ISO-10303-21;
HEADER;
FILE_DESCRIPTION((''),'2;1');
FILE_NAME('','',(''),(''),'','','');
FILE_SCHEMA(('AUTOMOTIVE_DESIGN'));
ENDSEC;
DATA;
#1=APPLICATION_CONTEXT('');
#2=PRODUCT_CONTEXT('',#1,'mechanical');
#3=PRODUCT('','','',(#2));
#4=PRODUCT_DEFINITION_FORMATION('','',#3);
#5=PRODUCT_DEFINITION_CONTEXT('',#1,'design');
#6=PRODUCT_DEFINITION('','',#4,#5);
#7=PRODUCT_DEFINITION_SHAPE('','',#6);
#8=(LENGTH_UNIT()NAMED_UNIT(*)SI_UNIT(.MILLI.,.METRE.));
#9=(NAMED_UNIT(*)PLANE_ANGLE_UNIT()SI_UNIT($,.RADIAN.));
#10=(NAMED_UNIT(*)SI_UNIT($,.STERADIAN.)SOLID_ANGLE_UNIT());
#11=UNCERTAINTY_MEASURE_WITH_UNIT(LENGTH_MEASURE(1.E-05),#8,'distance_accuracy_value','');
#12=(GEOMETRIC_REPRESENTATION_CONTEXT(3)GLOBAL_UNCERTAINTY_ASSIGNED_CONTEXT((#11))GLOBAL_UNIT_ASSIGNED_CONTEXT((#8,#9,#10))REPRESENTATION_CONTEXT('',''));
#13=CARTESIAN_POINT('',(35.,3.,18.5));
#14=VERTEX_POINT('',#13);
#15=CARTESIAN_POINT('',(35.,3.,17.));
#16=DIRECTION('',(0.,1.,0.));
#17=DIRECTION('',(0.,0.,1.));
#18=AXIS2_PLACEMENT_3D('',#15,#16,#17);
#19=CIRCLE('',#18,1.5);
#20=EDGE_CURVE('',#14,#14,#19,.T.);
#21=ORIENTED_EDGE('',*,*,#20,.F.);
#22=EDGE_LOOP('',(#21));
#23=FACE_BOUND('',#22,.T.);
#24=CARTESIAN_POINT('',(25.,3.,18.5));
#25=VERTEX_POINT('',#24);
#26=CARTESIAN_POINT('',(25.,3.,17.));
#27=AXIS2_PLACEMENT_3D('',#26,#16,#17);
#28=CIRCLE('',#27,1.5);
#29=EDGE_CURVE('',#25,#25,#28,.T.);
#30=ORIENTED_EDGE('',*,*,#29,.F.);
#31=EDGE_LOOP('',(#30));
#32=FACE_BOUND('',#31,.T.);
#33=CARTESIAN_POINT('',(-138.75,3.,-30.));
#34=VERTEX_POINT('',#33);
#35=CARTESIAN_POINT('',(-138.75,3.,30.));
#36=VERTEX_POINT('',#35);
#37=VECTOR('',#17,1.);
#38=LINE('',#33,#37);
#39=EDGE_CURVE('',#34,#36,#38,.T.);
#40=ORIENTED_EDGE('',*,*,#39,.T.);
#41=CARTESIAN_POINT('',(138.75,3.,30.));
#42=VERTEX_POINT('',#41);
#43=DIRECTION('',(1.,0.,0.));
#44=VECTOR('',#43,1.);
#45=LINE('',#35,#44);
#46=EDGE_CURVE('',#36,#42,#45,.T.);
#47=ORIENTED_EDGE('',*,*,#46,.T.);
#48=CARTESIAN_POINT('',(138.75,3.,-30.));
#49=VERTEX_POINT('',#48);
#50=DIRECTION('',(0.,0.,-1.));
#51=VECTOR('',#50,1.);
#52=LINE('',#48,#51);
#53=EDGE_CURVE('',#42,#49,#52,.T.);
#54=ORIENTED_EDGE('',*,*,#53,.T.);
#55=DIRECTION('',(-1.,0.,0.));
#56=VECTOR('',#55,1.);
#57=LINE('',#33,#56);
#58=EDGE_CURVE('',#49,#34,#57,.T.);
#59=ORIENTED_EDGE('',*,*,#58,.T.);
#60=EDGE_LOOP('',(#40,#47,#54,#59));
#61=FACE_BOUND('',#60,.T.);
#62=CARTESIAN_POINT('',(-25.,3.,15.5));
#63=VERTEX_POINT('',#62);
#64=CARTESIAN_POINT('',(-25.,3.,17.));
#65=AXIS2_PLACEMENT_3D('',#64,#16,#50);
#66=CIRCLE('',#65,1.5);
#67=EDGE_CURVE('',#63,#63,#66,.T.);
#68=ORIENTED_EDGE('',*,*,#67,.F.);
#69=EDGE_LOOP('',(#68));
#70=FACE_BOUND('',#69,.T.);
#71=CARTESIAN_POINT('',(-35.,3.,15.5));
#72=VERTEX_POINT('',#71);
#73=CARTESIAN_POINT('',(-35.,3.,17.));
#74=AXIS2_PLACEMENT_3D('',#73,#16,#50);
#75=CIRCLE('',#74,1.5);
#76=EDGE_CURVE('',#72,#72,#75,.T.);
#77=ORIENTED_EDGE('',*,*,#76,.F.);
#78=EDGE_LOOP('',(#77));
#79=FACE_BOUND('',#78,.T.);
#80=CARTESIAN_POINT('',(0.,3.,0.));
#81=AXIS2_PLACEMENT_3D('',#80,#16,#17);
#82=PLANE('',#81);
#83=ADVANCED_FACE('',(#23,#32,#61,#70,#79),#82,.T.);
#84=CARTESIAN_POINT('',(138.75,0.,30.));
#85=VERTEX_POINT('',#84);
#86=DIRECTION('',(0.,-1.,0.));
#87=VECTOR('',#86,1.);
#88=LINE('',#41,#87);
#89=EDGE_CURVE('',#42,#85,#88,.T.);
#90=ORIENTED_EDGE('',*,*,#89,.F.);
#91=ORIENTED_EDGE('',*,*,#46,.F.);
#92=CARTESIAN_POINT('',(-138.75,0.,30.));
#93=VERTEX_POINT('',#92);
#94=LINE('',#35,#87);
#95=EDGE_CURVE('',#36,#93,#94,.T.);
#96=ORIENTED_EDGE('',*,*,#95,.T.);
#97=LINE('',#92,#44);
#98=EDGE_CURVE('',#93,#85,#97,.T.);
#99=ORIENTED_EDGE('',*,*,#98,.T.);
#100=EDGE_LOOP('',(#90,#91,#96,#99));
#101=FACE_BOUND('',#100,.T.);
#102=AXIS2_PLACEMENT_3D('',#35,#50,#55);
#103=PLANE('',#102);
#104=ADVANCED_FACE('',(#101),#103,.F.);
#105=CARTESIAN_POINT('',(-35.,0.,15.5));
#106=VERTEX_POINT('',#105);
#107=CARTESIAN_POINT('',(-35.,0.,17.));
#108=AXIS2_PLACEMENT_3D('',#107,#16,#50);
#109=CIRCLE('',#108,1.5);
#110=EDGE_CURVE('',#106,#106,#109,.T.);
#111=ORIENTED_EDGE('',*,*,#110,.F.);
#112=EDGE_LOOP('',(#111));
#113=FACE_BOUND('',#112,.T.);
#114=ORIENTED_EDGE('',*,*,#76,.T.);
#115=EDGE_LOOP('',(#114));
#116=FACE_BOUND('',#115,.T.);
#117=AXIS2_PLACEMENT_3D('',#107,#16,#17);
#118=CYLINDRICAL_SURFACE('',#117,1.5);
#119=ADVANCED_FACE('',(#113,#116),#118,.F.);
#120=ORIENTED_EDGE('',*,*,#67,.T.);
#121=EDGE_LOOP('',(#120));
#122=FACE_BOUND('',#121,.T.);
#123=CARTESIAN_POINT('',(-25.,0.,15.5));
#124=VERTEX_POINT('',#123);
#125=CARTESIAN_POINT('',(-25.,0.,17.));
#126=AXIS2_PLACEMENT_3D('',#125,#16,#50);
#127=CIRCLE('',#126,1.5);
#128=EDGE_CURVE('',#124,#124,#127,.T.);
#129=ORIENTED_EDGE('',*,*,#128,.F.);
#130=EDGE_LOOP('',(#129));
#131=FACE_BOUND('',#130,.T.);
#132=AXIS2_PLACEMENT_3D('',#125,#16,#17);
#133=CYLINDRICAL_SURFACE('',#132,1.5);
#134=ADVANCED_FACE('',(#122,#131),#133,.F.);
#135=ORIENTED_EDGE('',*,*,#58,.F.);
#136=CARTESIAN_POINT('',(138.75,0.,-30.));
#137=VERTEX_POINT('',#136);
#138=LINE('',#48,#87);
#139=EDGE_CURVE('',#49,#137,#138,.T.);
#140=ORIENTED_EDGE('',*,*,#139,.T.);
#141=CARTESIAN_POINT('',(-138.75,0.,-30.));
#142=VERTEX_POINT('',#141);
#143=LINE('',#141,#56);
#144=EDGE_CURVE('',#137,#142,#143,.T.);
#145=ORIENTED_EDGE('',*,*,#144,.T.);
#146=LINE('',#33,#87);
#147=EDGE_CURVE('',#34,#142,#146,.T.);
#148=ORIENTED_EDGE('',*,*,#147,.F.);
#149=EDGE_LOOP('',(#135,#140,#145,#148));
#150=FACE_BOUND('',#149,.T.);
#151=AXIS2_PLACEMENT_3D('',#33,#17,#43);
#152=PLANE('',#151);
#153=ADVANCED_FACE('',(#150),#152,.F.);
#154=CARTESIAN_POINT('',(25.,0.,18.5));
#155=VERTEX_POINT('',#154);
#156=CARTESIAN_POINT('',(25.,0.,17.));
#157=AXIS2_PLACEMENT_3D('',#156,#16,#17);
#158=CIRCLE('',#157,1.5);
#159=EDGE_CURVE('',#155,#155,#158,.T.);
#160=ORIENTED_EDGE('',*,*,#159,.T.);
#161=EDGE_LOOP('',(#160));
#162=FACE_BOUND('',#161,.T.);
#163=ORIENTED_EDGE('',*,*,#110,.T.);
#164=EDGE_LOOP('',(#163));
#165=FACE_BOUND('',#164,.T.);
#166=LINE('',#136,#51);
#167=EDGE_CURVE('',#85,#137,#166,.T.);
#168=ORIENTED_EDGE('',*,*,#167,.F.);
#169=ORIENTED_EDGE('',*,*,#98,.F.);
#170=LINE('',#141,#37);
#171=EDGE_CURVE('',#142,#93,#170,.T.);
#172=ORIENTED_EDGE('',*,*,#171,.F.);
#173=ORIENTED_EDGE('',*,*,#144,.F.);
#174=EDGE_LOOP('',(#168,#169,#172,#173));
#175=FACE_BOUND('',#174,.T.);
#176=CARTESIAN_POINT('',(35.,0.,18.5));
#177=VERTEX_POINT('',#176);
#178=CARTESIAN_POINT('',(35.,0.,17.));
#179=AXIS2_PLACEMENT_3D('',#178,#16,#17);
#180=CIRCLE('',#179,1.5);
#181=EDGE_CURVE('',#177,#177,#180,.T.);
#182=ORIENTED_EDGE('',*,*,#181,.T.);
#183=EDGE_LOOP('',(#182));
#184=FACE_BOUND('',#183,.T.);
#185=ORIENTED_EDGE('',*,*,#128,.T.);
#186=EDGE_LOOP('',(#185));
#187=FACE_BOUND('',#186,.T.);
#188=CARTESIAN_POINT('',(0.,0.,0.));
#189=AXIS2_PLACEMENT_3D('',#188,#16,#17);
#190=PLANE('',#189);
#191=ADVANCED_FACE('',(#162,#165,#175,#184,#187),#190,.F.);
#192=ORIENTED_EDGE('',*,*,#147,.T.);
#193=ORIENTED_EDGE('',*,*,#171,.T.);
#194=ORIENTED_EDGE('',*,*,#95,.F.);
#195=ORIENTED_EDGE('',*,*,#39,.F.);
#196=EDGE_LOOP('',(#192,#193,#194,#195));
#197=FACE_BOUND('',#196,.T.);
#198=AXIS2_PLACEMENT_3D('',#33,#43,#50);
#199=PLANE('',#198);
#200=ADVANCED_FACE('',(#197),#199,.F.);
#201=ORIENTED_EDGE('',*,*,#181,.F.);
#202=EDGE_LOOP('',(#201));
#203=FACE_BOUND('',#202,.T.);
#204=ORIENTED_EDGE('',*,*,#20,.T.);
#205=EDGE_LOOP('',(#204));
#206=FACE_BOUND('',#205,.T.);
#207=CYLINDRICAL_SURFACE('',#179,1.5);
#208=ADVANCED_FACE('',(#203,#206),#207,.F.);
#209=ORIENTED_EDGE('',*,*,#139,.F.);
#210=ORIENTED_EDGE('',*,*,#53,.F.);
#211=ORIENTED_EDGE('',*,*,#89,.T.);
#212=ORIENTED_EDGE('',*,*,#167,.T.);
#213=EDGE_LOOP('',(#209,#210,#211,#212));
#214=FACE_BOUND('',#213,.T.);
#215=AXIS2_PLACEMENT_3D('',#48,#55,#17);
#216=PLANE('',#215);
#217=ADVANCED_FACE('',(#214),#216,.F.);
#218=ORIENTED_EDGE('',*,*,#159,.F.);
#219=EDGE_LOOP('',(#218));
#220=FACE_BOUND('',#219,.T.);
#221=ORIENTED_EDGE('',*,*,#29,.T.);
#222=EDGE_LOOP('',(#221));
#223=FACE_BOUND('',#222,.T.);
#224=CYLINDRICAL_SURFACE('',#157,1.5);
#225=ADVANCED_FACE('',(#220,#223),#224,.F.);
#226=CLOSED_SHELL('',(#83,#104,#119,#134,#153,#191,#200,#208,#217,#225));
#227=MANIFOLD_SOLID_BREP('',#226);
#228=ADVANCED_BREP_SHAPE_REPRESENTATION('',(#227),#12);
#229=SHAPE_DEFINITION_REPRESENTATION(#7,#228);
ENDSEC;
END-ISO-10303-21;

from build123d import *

# Parameters (mm, degrees)
SKETCH1_W               = 277.5
SKETCH1_H               = 60
BOSS_EXTRUDE1_DEPTH     = 3
CUT_EXTRUDE1_DEPTH      = 142.987895611
CUT_EXTRUDE1_DEPTH_BACK = 142.987895611
SKETCH3_R               = 1.5


with BuildPart() as part:
    # Sketch1 → Boss-Extrude1 (new body)
    with BuildSketch(Plane(origin=(0, 0, 0), x_dir=(1, 0, 0), z_dir=(0, 1, 0))):
        Rectangle(SKETCH1_W, SKETCH1_H)
    extrude(amount=BOSS_EXTRUDE1_DEPTH)

    # Sketch3 → Cut-Extrude1 (cut, two sides: drawn at the far end of the back side and taken through both)
    with BuildSketch(Plane(origin=(0, 3, 0), x_dir=(1, 0, 0), z_dir=(0, 1, 0)).offset(-CUT_EXTRUDE1_DEPTH_BACK)):
        with Locations(Location((25, -17, 0), (0, 0, 270))):
            Circle(SKETCH3_R)
        with Locations(Location((35, -17, 0), (0, 0, 270))):
            Circle(SKETCH3_R)
        with Locations(Location((-35, -17, 0), (0, 0, 90))):
            Circle(SKETCH3_R)
        with Locations(Location((-25, -17, 0), (0, 0, 90))):
            Circle(SKETCH3_R)
    extrude(amount=CUT_EXTRUDE1_DEPTH + CUT_EXTRUDE1_DEPTH_BACK, mode=Mode.SUBTRACT)


solid = part.part
